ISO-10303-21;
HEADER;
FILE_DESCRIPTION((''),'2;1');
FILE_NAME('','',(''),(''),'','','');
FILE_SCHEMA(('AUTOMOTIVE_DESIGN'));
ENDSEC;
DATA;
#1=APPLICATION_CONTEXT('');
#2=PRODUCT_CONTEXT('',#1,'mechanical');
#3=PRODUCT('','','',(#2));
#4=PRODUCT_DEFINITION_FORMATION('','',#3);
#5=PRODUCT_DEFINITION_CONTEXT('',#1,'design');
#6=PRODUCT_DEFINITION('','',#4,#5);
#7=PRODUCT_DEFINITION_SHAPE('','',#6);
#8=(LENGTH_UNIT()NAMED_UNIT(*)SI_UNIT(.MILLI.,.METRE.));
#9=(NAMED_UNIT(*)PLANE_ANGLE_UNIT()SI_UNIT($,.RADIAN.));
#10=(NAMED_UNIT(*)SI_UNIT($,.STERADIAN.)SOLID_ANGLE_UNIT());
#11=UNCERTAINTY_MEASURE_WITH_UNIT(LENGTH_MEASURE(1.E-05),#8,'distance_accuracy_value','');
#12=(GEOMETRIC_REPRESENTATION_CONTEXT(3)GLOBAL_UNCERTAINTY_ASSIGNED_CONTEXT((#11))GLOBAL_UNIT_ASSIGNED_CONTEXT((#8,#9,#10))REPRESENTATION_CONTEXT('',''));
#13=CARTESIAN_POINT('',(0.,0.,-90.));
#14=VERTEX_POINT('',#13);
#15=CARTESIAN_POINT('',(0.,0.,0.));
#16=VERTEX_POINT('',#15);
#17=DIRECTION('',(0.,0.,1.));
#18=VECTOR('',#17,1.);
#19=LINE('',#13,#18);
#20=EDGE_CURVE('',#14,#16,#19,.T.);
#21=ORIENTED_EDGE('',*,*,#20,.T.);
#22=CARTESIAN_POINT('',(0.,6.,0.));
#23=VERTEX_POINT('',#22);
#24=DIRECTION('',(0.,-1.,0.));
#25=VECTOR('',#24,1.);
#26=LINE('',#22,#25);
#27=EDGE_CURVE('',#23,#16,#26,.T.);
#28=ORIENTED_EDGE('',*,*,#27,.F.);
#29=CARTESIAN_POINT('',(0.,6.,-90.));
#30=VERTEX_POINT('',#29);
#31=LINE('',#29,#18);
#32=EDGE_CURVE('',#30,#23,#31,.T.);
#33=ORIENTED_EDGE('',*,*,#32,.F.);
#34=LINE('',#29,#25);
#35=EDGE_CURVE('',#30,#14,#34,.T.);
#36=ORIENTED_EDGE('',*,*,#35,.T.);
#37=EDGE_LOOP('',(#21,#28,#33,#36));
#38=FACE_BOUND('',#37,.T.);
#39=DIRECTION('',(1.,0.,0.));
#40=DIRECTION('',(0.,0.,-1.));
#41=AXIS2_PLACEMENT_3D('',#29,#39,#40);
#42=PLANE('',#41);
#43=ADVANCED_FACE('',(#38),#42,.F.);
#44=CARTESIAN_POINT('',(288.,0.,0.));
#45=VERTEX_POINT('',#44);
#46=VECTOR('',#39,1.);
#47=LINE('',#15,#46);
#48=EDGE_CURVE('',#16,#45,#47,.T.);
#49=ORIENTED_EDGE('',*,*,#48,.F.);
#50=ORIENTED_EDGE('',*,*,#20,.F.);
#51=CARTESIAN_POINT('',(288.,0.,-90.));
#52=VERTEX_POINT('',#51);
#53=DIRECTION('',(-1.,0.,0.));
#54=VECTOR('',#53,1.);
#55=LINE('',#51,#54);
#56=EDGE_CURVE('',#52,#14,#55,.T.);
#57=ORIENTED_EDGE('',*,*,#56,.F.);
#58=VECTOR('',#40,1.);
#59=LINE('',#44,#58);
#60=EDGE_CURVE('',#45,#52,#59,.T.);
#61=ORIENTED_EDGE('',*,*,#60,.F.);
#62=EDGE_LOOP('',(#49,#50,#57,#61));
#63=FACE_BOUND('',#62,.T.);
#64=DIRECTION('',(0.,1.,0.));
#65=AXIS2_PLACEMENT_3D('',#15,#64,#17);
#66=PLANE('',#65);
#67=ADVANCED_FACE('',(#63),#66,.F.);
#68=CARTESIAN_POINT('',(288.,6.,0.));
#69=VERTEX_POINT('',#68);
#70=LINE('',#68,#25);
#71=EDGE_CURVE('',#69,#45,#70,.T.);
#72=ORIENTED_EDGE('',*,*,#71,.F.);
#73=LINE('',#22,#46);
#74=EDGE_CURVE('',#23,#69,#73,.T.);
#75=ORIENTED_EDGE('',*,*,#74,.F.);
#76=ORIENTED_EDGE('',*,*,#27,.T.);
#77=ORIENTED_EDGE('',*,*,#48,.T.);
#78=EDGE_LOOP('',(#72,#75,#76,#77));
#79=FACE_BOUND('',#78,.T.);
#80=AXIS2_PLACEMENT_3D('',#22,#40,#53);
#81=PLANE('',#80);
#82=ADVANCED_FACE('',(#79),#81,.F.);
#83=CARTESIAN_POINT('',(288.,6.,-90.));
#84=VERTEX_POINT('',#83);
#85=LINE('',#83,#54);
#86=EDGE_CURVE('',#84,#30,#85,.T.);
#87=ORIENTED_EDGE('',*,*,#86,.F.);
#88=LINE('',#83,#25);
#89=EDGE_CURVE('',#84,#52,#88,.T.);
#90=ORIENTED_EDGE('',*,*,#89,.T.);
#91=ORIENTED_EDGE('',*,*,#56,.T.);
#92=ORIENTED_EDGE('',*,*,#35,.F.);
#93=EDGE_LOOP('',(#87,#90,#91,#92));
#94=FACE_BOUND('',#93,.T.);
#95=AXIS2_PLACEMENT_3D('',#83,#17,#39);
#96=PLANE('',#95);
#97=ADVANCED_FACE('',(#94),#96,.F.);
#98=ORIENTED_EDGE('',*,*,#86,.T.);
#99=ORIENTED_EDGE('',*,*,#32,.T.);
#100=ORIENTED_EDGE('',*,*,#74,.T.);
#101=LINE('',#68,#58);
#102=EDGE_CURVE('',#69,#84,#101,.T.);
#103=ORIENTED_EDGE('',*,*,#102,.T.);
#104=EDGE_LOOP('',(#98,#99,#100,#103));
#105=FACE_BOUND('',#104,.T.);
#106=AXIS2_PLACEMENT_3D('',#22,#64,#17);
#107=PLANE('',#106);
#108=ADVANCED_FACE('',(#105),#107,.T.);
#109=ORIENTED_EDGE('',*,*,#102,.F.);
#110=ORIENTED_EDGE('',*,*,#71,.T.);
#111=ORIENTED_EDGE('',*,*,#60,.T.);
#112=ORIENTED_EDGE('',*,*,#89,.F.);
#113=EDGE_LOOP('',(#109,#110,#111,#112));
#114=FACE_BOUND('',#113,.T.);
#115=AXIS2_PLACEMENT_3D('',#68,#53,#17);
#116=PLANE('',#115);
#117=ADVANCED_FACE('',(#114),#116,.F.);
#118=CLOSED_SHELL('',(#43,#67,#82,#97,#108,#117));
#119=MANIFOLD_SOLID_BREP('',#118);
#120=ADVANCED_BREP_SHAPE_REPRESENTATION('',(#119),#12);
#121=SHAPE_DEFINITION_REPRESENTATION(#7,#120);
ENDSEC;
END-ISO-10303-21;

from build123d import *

# Parameters (mm, degrees)
SKETCH_1_W      = 288
SKETCH_1_H      = 90
EXTRUDE_1_DEPTH = 6


with BuildPart() as part:
    # 草图1 → 凸台-拉伸1 (new body)
    with BuildSketch(Plane(origin=(0, 0, 0), x_dir=(1, 0, 0), z_dir=(0, 1, 0))):
        with Locations((144, 45)):
            Rectangle(SKETCH_1_W, SKETCH_1_H)
    extrude(amount=EXTRUDE_1_DEPTH)


solid = part.part
